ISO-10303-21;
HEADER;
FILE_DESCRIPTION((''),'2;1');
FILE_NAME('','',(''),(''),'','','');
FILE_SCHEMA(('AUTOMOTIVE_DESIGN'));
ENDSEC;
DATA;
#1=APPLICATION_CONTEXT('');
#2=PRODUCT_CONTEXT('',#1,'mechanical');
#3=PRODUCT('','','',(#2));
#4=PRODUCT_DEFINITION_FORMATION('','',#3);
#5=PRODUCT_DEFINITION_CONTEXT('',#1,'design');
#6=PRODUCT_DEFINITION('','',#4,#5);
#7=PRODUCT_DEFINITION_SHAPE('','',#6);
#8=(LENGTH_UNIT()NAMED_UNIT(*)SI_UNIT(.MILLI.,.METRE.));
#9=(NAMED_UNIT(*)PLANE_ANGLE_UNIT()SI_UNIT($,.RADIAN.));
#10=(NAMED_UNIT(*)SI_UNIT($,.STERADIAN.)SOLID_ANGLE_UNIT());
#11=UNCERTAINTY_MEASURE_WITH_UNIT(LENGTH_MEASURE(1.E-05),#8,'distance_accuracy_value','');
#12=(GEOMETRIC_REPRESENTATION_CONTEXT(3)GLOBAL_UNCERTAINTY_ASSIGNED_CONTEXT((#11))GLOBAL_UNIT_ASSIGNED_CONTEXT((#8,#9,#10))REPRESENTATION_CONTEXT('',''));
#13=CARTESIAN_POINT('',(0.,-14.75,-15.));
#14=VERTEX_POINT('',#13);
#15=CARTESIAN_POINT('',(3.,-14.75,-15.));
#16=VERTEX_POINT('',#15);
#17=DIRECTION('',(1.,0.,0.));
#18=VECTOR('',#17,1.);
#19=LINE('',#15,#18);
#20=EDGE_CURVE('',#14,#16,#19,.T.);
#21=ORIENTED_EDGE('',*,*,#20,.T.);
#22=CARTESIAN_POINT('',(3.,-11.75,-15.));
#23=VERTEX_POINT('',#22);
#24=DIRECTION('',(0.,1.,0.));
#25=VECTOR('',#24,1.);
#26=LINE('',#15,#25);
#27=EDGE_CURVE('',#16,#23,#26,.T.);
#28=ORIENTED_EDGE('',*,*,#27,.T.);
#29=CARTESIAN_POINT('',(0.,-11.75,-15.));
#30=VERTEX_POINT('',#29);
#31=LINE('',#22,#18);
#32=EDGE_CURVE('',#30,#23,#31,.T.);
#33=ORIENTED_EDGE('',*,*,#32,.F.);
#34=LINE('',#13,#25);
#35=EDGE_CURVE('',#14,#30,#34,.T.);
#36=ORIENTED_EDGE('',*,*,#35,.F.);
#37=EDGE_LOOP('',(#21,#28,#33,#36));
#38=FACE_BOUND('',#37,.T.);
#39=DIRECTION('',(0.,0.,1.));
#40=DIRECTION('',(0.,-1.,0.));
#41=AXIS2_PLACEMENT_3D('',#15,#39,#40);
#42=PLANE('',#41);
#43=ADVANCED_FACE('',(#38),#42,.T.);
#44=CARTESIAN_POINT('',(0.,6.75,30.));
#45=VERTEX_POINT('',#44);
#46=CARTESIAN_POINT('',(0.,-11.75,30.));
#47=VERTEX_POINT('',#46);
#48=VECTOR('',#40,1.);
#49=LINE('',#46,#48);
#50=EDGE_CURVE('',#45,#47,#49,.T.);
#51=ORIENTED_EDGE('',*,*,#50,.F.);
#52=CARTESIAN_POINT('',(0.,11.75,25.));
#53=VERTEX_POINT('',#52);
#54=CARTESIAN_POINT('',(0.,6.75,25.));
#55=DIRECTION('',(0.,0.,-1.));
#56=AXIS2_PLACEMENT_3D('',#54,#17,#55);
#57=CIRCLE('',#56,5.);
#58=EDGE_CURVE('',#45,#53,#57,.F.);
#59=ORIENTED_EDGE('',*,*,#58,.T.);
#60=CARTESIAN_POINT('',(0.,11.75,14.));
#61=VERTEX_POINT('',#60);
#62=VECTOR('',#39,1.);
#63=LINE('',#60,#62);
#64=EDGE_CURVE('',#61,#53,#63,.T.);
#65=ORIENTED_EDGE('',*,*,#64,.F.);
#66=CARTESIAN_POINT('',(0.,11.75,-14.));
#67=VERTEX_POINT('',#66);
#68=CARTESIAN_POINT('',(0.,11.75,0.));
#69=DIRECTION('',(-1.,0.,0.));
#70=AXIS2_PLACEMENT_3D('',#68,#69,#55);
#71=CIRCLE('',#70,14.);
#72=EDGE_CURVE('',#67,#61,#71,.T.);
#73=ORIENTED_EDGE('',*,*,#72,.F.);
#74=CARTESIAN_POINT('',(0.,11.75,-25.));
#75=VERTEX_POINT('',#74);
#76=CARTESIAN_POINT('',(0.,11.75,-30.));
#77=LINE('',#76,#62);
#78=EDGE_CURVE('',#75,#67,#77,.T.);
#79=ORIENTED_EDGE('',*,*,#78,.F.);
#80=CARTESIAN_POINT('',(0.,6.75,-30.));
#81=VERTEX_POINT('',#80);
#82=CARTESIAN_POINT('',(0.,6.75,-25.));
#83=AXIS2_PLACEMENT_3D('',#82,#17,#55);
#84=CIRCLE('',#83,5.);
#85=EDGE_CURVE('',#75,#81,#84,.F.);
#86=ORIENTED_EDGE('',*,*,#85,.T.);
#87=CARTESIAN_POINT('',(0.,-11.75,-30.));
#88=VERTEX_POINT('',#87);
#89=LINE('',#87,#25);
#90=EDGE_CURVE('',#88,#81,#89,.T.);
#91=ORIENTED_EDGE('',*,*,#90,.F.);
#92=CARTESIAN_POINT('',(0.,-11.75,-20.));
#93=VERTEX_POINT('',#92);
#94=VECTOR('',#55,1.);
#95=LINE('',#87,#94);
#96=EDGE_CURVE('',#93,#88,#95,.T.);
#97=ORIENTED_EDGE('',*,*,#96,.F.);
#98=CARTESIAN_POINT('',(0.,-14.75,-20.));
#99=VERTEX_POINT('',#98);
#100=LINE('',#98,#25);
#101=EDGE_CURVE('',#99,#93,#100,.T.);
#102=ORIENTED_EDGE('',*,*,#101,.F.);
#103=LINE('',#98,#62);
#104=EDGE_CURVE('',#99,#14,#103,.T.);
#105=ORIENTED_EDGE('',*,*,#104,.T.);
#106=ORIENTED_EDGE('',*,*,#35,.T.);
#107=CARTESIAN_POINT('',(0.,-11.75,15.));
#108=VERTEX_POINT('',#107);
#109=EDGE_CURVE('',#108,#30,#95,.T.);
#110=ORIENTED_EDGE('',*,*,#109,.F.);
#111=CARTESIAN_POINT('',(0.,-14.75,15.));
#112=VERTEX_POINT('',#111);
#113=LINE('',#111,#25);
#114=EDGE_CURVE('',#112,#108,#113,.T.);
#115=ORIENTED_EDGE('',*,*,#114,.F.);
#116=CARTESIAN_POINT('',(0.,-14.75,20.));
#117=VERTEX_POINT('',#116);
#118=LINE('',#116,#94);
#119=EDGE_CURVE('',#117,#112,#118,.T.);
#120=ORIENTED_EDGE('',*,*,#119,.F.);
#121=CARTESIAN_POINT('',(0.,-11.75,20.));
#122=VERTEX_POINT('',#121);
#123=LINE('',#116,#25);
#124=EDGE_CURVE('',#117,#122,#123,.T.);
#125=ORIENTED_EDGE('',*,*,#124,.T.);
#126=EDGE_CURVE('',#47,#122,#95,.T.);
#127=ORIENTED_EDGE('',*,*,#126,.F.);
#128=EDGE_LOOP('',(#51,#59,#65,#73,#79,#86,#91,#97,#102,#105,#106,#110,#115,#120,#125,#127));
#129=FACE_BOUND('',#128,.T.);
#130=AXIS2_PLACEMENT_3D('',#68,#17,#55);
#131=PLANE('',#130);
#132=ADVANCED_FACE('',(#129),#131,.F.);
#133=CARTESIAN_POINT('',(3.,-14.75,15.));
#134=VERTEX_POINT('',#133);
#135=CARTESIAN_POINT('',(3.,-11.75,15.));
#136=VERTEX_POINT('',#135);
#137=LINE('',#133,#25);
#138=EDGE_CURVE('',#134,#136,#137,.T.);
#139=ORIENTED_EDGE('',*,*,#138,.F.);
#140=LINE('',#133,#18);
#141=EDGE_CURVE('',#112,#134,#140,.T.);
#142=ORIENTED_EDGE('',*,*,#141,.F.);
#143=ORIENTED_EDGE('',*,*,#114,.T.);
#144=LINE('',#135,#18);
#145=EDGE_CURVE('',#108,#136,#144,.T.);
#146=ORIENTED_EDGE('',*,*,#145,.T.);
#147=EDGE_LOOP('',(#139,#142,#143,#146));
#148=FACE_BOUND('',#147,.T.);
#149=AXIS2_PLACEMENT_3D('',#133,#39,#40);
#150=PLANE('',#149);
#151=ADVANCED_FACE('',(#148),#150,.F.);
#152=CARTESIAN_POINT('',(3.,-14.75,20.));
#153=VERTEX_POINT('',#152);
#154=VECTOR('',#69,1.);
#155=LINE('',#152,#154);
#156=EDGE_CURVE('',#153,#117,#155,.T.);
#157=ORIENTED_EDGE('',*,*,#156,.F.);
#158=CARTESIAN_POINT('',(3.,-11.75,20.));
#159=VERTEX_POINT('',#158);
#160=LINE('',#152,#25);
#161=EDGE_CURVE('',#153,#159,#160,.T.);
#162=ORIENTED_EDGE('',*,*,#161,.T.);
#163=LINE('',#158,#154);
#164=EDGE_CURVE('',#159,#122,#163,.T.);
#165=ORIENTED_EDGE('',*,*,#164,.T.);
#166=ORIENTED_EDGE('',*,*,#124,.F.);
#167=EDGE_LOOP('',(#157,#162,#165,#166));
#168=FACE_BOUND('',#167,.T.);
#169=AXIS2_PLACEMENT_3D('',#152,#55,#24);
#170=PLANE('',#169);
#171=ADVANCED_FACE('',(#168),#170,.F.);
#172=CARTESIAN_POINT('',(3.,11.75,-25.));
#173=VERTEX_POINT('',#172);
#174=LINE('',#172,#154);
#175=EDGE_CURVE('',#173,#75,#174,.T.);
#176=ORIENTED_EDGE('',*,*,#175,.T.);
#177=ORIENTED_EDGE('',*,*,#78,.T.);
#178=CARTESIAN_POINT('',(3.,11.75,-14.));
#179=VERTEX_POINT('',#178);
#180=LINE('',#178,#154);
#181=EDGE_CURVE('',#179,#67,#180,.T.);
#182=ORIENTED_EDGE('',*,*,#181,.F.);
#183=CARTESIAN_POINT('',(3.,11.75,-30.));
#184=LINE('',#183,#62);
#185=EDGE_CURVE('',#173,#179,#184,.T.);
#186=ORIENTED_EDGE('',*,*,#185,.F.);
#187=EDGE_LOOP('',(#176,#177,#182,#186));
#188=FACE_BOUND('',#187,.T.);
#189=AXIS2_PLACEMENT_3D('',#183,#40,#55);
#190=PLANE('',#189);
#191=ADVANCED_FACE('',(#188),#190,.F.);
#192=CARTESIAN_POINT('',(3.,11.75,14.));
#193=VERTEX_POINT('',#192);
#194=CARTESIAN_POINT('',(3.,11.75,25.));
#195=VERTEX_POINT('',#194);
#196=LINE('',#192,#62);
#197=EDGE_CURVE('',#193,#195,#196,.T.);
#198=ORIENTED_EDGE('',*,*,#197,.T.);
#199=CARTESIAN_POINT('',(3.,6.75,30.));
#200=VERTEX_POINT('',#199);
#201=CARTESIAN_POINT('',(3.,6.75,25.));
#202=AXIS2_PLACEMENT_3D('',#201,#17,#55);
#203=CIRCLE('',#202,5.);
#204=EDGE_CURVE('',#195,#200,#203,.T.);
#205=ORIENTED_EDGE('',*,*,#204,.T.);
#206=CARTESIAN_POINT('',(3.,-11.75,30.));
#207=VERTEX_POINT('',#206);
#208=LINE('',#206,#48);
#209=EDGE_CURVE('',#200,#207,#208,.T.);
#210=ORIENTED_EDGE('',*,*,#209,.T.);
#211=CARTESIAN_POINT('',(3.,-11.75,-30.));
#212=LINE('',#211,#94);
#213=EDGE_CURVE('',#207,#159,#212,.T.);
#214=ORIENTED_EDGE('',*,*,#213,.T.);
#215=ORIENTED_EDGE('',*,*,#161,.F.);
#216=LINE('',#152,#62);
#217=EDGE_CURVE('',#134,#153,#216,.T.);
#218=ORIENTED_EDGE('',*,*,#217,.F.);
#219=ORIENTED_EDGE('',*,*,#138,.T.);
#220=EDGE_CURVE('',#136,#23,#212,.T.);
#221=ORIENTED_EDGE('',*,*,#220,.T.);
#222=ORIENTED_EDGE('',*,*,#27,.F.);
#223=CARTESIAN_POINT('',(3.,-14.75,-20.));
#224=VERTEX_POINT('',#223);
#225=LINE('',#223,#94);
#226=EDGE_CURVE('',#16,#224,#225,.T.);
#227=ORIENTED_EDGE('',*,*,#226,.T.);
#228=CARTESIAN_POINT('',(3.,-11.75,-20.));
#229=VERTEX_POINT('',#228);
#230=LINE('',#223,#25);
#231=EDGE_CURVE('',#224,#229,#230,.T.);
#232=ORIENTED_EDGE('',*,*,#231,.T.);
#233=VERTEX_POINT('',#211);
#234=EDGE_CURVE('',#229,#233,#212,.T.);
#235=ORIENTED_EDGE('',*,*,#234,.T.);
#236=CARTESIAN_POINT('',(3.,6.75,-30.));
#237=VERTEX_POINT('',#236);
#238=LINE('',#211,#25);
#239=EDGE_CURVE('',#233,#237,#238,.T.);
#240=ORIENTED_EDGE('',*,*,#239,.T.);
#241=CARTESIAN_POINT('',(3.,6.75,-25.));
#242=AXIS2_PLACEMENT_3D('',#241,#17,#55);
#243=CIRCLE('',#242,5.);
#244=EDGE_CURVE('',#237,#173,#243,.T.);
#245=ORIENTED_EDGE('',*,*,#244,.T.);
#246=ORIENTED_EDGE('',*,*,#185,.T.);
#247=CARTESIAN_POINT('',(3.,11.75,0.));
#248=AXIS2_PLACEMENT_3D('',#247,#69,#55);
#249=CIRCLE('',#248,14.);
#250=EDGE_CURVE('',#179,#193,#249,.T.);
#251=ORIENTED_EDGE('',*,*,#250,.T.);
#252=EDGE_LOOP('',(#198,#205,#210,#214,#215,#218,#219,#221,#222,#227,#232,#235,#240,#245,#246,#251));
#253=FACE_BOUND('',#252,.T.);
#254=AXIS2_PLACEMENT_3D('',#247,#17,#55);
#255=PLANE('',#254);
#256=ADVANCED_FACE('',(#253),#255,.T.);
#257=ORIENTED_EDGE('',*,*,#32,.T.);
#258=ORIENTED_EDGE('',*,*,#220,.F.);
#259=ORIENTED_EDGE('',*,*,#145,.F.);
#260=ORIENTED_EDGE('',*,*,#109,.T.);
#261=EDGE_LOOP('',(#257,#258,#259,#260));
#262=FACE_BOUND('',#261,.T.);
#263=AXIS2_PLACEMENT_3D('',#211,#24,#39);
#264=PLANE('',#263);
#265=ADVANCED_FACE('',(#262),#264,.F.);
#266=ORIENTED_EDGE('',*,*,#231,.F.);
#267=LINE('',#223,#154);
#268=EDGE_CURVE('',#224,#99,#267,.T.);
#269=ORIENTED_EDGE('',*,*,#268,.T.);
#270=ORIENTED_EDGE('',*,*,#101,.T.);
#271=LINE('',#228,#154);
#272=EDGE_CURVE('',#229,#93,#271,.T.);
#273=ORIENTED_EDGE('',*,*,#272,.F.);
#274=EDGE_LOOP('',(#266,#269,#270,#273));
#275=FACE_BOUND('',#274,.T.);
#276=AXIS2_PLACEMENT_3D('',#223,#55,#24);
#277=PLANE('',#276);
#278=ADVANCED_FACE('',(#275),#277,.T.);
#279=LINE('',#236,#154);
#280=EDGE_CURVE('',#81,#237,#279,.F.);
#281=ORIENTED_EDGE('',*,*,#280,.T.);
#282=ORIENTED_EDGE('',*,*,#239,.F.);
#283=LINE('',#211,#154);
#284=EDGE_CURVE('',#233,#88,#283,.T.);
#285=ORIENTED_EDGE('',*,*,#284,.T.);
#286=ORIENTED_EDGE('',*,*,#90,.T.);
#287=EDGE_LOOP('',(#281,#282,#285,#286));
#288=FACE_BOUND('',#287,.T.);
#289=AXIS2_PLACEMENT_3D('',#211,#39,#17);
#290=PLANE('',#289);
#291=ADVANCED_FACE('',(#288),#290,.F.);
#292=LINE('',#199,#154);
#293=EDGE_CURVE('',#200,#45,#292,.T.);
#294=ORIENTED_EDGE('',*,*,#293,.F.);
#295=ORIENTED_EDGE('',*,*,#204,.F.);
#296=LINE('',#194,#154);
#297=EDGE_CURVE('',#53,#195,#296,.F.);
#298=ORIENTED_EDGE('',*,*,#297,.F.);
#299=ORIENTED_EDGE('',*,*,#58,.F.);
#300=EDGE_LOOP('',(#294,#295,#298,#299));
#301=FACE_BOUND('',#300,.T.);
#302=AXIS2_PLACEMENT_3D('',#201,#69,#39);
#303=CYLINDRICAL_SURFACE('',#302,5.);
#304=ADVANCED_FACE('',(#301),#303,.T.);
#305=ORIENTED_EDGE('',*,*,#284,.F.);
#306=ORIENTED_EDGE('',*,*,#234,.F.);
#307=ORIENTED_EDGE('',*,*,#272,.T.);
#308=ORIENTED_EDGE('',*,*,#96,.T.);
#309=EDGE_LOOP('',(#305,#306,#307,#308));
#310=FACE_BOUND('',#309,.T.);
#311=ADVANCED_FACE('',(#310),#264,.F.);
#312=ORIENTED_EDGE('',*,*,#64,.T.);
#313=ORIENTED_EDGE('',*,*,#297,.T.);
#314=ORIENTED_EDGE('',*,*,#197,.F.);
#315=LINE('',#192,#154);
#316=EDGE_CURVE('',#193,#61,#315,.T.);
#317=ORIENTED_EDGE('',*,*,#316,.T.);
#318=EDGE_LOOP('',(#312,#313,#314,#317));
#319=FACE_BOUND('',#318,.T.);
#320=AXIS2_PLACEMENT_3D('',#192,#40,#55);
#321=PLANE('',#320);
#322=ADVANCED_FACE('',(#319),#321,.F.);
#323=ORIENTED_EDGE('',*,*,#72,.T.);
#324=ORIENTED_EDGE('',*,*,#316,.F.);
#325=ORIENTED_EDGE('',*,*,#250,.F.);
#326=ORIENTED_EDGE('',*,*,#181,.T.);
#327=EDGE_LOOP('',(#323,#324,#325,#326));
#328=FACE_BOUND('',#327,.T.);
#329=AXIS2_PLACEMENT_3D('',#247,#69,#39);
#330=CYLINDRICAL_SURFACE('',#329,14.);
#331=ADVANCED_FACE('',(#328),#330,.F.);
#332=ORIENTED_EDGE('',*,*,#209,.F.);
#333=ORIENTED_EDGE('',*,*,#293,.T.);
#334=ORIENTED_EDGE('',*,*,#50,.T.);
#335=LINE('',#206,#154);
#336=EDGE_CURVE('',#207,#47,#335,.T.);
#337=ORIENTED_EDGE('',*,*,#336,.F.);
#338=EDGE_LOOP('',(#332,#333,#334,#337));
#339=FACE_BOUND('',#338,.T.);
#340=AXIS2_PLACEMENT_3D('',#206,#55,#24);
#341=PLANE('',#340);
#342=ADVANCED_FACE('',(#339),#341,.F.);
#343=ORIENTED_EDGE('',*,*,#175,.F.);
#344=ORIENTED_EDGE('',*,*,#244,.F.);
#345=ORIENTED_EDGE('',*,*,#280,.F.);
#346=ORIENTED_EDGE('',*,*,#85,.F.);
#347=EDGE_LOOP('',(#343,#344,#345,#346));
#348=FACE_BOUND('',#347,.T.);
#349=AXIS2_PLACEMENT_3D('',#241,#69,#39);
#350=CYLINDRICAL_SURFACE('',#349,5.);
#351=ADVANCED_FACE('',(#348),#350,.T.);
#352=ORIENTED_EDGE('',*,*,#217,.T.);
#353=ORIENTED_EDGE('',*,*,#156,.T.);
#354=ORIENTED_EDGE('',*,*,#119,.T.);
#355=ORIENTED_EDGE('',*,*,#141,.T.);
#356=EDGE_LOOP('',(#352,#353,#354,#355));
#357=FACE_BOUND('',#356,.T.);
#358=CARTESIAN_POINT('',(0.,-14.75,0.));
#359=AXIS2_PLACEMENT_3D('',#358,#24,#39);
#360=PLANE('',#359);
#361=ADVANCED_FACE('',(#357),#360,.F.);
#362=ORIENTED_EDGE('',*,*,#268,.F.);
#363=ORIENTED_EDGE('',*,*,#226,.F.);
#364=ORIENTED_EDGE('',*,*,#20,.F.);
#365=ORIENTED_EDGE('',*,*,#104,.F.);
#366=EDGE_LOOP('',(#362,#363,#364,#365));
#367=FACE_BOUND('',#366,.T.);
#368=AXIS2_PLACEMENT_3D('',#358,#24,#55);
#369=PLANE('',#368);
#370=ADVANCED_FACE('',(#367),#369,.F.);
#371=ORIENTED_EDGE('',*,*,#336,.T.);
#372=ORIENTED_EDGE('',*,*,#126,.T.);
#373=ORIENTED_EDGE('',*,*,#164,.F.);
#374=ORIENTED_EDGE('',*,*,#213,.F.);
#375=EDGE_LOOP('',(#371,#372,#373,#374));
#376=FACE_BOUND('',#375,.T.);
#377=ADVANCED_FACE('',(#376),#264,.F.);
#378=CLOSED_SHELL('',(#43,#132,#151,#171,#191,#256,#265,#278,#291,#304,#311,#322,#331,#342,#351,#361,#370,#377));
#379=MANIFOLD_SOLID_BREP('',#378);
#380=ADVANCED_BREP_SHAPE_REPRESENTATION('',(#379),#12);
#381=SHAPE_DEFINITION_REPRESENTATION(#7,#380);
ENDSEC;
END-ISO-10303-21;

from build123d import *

# Parameters (mm, degrees)
BOSS_EXTRUDE1_DEPTH = 3
FILLET1_R           = 5
SKETCH3_W           = 3
SKETCH3_H           = 5
BOSS_EXTRUDE2_DEPTH = 3


with BuildPart() as part:
    # Sketch1 → Boss-Extrude1 (new body)
    with BuildSketch(Plane(origin=(0, 0, 0), x_dir=(0, 0, -1), z_dir=(1, 0, 0))):
        with BuildLine():
            Line((-14, 11.75), (-30, 11.75))
            Line((-30, 11.75), (-30, -11.75))
            Line((-30, -11.75), (30, -11.75))
            Line((30, -11.75), (30, 11.75))
            Line((30, 11.75), (14, 11.75))
            ThreePointArc((14, 11.75), (0, -2.25), (-14, 11.75))
        make_face()
    extrude(amount=BOSS_EXTRUDE1_DEPTH)

    # Fillet1
    fillet1_edges = [part.edges().sort_by_distance(p)[0] for p in [
        (1.5, 11.75, 30),
        (1.5, 11.75, -30),
    ]]
    fillet(fillet1_edges, radius=FILLET1_R)

    # Sketch3 → Boss-Extrude2 (add)
    with BuildSketch(Plane.XZ.offset(11.75)):
        with Locations((1.5, 17.5)):
            Rectangle(SKETCH3_W, SKETCH3_H)
    boss_extrude2 = extrude(amount=BOSS_EXTRUDE2_DEPTH)

    # Mirror3: Boss-Extrude2 across plane
    add(boss_extrude2.mirror(Plane.XY))


solid = part.part
